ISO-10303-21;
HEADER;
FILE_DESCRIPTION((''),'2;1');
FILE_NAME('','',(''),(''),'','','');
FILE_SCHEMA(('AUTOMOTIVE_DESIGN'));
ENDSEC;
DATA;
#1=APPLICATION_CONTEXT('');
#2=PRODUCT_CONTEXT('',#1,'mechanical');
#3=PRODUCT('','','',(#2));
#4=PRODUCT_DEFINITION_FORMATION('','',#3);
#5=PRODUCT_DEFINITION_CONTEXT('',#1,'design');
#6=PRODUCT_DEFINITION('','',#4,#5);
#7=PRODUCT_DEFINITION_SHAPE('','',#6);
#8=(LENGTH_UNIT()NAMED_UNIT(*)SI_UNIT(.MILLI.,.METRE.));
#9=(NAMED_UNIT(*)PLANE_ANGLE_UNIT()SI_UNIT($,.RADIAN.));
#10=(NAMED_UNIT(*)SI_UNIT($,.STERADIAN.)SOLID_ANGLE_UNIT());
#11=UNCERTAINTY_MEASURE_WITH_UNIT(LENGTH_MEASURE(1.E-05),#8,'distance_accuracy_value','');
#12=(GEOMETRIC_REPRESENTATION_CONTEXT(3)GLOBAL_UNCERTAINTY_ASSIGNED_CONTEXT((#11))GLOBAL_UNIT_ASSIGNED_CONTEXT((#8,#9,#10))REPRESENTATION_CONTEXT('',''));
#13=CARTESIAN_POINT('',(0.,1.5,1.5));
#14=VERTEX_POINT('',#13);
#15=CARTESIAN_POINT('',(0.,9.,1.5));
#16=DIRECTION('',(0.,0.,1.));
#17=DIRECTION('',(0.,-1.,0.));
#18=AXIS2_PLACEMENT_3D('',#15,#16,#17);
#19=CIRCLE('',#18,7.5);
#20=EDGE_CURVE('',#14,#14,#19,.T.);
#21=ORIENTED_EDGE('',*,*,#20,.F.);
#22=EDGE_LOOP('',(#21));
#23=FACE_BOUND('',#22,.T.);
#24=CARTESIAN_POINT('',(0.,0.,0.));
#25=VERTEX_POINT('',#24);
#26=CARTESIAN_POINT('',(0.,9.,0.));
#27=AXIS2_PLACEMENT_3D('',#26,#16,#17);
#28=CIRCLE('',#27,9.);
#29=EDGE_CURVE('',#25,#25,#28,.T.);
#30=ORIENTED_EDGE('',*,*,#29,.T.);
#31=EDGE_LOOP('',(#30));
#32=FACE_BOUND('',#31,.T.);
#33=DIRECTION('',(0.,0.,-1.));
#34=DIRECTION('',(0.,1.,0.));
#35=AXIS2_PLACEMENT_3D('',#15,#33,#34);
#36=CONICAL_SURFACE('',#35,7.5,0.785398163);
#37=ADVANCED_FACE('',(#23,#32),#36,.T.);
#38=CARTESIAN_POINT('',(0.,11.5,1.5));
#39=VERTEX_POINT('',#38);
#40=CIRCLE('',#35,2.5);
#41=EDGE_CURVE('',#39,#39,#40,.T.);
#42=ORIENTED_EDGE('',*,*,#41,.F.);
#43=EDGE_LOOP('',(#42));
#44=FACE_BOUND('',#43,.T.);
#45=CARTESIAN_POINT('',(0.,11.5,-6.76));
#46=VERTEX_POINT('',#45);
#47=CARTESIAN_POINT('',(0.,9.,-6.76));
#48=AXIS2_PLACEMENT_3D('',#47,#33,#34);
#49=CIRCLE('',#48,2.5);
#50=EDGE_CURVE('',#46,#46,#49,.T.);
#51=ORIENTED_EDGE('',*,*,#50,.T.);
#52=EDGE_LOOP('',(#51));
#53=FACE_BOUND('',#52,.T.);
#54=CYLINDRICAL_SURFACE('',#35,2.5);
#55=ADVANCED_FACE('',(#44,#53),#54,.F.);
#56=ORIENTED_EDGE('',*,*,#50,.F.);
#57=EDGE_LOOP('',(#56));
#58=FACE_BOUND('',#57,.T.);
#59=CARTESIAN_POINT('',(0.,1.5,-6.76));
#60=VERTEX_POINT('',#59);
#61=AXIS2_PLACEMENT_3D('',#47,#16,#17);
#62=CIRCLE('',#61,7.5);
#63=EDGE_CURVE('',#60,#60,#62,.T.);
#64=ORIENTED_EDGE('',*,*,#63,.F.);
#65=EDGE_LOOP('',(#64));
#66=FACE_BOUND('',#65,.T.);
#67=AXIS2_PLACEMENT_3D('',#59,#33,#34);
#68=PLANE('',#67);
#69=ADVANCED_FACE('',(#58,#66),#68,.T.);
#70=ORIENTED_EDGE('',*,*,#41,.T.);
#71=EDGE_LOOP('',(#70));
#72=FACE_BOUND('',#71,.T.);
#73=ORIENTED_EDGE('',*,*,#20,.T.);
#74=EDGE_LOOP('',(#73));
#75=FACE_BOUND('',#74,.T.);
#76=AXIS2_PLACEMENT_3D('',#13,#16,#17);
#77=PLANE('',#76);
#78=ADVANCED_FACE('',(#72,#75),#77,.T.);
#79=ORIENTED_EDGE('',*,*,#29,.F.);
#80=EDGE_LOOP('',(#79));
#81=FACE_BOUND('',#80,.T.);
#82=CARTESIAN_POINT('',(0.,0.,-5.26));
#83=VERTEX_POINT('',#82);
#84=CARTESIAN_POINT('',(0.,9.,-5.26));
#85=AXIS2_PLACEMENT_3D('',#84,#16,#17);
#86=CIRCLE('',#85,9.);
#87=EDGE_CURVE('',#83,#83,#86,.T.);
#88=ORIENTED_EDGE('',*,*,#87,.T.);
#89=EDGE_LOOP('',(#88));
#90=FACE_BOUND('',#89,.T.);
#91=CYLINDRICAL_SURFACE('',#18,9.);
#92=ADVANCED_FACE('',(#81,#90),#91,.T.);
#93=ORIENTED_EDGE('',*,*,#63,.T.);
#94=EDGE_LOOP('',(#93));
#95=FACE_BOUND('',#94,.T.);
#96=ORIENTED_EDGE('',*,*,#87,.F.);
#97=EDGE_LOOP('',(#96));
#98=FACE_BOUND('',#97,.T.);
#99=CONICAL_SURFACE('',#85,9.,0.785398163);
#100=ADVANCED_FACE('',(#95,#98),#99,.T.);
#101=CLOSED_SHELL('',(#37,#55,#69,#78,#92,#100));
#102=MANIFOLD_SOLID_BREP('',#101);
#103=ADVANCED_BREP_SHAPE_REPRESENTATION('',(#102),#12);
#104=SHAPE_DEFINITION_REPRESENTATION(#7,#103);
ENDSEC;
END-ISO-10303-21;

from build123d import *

# Parameters (mm, degrees)
SKETCH2_R          = 2.5
CUT_EXTRUDE1_DEPTH = 9.26


with BuildPart() as part:
    # Sketch1 → Revolve1 (revolve)
    with BuildSketch(Plane(origin=(0, 0, 0), x_dir=(0, 0, -1), z_dir=(1, 0, 0))):
        Polygon((0, 0), (5.26, 0), (6.76, 1.5), (6.76, 9), (-1.5, 9), (-1.5, 1.5), align=None)
    revolve(axis=Axis((0, 9, 1.5), (0, 0, -1)))

    # Sketch2 → Cut-Extrude1 (cut, through all)
    with BuildSketch(Plane(origin=(0, 0, -6.76), x_dir=(-1, 0, 0), z_dir=(0, 0, -1))):
        with Locations((0, 9)):
            Circle(SKETCH2_R)
    extrude(amount=-CUT_EXTRUDE1_DEPTH, mode=Mode.SUBTRACT)


solid = part.part
